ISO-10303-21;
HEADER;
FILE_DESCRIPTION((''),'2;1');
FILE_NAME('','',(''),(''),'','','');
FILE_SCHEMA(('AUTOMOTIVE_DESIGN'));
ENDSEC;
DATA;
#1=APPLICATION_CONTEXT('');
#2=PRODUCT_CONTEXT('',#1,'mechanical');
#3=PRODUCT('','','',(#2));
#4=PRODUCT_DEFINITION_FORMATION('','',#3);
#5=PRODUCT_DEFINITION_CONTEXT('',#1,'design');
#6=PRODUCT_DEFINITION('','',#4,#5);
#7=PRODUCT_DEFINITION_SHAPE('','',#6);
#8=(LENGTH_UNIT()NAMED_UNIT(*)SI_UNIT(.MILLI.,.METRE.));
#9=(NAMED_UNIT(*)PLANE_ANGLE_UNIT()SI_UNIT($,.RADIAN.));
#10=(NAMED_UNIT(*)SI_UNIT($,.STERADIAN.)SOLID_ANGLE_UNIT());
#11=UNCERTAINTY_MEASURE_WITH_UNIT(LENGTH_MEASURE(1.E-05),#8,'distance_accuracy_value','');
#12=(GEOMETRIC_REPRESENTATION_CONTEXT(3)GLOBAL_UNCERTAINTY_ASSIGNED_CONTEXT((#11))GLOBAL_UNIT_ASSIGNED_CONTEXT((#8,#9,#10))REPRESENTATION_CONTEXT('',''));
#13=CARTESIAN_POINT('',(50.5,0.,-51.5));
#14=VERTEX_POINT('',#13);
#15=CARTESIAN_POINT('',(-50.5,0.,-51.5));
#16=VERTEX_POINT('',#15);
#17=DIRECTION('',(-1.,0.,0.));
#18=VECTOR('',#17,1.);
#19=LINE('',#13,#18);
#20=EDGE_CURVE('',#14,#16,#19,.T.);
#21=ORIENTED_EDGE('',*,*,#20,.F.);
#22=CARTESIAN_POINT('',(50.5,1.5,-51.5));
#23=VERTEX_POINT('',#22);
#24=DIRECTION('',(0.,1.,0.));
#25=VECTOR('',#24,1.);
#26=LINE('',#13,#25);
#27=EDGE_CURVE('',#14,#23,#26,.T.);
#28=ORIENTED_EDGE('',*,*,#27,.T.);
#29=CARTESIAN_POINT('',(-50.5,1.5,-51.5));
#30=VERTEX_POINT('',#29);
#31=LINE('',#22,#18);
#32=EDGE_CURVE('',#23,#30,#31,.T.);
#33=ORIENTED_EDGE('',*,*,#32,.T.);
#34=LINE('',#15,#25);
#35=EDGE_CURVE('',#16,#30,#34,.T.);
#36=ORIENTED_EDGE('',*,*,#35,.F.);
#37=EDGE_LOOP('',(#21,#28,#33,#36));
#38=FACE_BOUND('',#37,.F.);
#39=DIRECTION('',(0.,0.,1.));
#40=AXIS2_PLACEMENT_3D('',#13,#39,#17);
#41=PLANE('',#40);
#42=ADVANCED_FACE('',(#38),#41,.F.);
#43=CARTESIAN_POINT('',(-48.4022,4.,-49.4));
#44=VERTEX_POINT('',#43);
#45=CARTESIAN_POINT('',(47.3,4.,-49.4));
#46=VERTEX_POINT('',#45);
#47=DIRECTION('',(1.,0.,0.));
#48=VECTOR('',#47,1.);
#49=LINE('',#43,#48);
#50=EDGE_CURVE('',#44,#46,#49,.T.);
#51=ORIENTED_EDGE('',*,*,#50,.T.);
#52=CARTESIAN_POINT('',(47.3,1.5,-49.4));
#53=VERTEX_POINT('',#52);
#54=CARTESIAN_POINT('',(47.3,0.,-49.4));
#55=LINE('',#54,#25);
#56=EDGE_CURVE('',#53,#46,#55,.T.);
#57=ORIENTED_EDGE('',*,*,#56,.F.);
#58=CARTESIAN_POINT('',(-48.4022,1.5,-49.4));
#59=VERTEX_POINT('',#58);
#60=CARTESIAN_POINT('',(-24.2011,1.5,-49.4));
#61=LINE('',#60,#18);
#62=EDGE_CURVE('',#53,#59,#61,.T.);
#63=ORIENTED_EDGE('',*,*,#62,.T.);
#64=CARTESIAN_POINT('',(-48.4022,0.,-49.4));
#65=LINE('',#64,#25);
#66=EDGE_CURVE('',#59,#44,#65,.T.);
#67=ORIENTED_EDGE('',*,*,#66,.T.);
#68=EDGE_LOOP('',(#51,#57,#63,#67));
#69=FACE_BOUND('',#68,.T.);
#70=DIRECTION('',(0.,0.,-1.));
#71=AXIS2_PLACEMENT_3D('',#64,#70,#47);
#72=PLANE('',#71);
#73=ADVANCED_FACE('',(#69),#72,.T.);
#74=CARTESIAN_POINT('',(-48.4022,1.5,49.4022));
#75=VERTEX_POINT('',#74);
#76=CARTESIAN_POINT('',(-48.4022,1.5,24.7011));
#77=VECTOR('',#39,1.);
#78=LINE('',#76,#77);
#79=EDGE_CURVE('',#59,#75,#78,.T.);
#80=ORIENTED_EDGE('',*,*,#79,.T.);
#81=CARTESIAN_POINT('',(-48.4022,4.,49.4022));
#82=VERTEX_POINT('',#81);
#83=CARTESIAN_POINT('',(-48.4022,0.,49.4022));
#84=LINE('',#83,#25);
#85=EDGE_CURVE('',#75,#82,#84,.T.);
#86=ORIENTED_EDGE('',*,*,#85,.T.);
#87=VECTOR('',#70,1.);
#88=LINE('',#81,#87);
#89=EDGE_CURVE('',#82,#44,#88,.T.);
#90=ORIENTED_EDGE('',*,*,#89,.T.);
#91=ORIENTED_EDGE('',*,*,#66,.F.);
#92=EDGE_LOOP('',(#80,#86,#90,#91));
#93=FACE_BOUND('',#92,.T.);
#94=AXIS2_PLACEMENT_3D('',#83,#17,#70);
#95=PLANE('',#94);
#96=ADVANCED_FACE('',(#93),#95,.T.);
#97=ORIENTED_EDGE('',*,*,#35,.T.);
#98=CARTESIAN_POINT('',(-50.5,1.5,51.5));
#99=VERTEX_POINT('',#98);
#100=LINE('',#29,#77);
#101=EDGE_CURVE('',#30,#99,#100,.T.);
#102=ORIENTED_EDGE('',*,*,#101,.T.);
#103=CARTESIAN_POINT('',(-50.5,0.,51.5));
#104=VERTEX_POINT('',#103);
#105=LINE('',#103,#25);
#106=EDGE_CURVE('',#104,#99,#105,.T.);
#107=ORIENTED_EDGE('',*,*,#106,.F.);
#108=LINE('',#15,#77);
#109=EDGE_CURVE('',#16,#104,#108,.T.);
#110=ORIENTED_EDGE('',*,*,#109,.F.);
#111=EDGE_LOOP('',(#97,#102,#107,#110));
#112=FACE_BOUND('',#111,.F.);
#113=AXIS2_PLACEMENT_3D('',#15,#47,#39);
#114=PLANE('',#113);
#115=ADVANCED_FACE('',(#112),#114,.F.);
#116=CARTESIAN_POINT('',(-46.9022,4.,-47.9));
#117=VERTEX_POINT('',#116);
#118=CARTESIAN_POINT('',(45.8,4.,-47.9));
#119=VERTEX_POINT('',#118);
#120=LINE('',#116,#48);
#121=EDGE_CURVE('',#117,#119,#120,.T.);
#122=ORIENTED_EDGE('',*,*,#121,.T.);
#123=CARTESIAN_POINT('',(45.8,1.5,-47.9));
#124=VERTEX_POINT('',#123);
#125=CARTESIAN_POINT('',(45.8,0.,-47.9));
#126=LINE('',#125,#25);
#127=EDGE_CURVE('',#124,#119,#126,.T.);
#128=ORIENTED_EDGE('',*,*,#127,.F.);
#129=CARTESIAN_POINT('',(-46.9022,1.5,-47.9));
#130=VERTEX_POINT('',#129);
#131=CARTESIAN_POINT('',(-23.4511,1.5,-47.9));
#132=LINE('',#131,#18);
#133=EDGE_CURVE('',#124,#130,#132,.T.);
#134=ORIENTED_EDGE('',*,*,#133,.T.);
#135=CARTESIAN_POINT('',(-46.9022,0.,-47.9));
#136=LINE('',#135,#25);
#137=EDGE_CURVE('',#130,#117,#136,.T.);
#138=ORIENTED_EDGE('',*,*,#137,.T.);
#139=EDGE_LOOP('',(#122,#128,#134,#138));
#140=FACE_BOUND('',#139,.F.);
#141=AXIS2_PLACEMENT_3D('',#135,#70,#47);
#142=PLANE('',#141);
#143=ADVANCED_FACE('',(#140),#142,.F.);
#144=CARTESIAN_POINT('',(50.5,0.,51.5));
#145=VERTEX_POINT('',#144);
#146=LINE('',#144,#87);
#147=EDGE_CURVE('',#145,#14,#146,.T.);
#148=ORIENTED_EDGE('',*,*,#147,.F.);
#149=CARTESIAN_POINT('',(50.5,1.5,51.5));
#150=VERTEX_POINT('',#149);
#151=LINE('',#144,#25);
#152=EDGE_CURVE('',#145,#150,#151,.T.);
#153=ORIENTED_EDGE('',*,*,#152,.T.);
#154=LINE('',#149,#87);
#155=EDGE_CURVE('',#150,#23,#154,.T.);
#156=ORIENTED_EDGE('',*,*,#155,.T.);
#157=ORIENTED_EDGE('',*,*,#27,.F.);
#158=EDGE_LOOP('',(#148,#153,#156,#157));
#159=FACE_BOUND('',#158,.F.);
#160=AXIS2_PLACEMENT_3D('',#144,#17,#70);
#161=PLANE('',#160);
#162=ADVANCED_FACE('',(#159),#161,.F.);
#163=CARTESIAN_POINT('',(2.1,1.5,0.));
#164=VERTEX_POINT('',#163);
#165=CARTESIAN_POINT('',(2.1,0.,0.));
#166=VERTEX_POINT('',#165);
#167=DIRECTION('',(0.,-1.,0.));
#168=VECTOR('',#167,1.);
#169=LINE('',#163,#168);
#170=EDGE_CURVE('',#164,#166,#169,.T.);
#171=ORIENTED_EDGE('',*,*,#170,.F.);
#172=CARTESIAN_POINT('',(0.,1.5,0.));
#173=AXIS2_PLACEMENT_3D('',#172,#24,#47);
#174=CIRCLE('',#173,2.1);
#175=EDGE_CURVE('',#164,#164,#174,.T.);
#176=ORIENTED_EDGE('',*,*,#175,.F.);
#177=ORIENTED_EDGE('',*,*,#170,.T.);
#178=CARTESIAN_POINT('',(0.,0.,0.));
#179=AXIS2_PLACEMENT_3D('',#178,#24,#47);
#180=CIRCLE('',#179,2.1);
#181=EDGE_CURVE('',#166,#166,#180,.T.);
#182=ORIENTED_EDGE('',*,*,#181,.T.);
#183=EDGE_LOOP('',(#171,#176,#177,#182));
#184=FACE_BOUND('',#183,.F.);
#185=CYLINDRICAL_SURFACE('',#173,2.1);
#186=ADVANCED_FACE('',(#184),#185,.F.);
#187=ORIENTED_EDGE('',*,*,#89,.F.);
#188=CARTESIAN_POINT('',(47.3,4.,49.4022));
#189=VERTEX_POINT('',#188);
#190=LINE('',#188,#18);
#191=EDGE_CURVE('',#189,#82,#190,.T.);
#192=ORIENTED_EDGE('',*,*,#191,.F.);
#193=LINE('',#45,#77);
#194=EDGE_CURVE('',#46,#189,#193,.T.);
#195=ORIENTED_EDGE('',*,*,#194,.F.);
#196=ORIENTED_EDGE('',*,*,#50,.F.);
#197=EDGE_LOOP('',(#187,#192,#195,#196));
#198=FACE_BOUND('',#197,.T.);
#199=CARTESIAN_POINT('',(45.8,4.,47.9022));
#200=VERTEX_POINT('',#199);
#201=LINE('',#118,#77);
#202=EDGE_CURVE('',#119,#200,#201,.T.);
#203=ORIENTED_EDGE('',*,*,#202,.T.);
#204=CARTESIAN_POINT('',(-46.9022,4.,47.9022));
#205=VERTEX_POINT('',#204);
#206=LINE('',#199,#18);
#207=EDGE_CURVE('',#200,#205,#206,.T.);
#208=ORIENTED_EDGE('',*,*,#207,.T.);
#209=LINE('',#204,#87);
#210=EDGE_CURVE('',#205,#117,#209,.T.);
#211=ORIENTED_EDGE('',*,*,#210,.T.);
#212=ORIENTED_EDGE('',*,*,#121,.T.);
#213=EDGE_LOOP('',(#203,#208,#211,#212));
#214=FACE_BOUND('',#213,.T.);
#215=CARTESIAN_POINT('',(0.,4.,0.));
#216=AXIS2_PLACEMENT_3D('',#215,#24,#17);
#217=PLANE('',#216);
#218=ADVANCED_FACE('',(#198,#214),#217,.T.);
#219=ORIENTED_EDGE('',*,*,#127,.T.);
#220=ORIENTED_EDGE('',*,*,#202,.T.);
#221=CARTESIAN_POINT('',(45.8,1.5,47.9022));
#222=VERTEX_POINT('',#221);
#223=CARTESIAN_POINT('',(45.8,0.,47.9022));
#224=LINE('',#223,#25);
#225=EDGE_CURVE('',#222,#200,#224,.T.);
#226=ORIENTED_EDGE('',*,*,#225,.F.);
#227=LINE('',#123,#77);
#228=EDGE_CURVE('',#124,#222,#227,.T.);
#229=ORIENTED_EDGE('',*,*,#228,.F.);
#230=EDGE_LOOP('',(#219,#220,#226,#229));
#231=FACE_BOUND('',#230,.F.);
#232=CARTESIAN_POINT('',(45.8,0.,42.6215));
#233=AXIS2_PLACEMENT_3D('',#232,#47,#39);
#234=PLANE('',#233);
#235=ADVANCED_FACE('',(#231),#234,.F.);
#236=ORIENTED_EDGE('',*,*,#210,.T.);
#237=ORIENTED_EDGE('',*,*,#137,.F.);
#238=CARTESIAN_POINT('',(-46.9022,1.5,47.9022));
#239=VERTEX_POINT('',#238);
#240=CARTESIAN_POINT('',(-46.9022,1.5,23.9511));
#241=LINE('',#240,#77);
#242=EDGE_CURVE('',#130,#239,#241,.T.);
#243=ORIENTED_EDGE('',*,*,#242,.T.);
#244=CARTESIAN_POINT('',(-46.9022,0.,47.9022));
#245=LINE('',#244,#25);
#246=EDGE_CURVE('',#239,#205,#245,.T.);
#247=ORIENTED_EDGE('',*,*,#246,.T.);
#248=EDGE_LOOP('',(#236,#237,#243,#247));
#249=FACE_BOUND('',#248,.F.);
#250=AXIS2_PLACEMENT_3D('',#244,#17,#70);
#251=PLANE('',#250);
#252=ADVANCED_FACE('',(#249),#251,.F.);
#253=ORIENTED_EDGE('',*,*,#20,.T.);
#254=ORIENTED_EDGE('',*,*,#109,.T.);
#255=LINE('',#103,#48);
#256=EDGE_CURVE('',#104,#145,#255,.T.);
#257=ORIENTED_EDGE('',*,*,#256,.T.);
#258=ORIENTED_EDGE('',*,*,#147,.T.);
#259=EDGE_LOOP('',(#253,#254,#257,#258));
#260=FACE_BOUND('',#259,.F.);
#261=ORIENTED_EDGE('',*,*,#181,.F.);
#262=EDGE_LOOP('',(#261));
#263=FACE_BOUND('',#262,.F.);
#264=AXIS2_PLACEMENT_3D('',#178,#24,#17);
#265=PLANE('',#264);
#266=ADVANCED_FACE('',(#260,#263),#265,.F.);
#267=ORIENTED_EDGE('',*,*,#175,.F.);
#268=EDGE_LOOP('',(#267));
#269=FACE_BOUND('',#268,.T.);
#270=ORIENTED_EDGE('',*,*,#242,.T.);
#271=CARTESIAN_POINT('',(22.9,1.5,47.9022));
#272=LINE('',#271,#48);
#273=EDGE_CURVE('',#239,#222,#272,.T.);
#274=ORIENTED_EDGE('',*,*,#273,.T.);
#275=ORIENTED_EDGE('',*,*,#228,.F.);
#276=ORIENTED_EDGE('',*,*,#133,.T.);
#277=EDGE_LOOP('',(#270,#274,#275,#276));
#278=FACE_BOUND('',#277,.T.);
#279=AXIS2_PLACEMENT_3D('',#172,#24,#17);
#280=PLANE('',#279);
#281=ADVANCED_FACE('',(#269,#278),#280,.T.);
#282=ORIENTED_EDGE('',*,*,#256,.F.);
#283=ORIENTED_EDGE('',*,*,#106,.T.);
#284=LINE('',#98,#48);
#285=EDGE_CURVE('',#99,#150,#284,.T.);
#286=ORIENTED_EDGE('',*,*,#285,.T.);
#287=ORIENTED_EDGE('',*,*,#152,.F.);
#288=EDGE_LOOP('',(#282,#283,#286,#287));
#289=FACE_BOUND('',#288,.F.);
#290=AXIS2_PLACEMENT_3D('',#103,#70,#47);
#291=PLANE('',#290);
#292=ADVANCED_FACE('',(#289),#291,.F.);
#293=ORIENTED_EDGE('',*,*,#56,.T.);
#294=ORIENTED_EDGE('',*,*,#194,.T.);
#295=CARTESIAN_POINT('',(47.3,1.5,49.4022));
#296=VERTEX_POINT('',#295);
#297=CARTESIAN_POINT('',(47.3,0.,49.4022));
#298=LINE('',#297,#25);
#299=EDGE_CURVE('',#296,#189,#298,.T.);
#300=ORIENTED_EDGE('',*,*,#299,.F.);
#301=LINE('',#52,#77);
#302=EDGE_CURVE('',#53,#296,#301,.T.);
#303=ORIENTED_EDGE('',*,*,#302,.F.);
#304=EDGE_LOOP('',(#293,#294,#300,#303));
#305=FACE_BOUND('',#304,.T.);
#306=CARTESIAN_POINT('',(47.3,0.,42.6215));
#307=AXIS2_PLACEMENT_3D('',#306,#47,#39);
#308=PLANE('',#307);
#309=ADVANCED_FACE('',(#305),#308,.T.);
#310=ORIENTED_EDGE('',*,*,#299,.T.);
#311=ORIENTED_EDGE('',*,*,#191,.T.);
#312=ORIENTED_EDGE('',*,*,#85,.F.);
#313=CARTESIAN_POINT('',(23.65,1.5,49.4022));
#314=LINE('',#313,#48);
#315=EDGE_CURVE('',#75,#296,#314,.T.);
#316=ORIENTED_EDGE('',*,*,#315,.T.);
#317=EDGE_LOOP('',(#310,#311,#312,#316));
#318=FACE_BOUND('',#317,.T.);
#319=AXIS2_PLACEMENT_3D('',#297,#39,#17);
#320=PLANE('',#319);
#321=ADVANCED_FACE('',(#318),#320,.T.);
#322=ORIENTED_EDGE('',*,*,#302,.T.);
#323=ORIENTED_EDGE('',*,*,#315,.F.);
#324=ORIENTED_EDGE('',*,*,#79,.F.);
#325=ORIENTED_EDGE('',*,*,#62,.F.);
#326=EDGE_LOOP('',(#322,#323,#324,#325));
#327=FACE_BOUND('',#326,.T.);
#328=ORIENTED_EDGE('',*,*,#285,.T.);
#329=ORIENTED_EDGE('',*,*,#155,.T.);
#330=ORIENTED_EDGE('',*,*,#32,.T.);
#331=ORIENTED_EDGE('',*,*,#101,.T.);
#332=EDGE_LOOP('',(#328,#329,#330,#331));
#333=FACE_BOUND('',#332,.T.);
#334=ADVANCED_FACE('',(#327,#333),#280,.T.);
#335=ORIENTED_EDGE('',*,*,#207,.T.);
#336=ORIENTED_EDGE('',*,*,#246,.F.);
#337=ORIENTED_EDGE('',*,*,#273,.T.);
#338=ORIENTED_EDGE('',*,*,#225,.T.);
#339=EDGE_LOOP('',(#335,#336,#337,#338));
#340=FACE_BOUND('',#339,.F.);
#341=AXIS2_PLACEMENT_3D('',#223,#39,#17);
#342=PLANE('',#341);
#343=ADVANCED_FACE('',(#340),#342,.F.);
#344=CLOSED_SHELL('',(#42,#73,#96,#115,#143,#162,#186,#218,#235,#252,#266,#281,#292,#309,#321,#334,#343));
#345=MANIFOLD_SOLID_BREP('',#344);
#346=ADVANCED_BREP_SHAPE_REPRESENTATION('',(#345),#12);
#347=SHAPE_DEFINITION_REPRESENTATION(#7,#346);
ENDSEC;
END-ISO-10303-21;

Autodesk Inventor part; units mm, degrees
ref_plane "YZ Plane" through (0, 0, 0) normal (1, 0, 0) x (0, 1, 0)
ref_plane "XZ Plane" through (0, 0, 0) normal (0, 1, 0) x (-1, 0, 0)
ref_plane "XY Plane" through (0, 0, 0) normal (0, 0, 1) x (1, 0, 0)
sketch "Sketch1" plane through (0, 0, 0) normal (0, 1, 0) x (-1, 0, 0)
  line L0 (50.5, 51.5) -> (-50.5, 51.5)
  line L1 (-50.5, 51.5) -> (-50.5, -51.5)
  line L2 (-50.5, -51.5) -> (50.5, -51.5)
  line L3 (50.5, -51.5) -> (50.5, 51.5)
  line L4 (50.5, 51.5) -> (-50.5, -51.5) construction
  line L5 (-50.5, 51.5) -> (50.5, -51.5) construction
  line L6 (48.4022, -49.4) -> (-47.3, -49.4)
  line L7 (-47.3, 49.4022) -> (48.4022, 49.4022)
  line L8 (48.4022, 49.4022) -> (48.4022, -49.4)
  line L9 (-47.3, -47.9892) -> (-47.3, 42.6215)
  line L10 (-47.3, -47.9892) -> (-47.3, -49.4)
  line L11 (-47.3, 42.6215) -> (-47.3, 49.4022)
  line L12 (46.9022, -47.9) -> (-45.8, -47.9)
  line L13 (-45.8, -47.9) -> (-45.8, 42.6215)
  line L14 (-45.8, 42.6215) -> (-45.8, 47.9022)
  line L15 (-45.8, 47.9022) -> (46.9022, 47.9022)
  line L16 (46.9022, 47.9022) -> (46.9022, -47.9)
  point P0 (0, 0)
  dimension "d0" = 101
  dimension "d1" = 103
  dimension "d2" = 2.1
  dimension "d3" = 3.2
  dimension "d4" = 1.5
extrude "Extrusion1" add sketch "Sketch1" along normal blind 1.5 contours L3 L2 L1 L0 | L6 L10 L9 L11 L7 L8 | L12 L13 L14 L15 L16
extrude "Extrusion2" add sketch "Sketch1" along normal blind 4 contours L6 L10 L9 L11 L7 L8
sketch "Sketch2" plane through (0, 1.5, 0) normal (0, 1, 0) x (1, 0, 0)
  circle A0 centre (0, 0) radius 2.1
  dimension "d9" = 4.2
extrude "Extrusion3" cut sketch "Sketch2" against normal blind 4
properties part number "TAPA GENERAL_3DPrint"
